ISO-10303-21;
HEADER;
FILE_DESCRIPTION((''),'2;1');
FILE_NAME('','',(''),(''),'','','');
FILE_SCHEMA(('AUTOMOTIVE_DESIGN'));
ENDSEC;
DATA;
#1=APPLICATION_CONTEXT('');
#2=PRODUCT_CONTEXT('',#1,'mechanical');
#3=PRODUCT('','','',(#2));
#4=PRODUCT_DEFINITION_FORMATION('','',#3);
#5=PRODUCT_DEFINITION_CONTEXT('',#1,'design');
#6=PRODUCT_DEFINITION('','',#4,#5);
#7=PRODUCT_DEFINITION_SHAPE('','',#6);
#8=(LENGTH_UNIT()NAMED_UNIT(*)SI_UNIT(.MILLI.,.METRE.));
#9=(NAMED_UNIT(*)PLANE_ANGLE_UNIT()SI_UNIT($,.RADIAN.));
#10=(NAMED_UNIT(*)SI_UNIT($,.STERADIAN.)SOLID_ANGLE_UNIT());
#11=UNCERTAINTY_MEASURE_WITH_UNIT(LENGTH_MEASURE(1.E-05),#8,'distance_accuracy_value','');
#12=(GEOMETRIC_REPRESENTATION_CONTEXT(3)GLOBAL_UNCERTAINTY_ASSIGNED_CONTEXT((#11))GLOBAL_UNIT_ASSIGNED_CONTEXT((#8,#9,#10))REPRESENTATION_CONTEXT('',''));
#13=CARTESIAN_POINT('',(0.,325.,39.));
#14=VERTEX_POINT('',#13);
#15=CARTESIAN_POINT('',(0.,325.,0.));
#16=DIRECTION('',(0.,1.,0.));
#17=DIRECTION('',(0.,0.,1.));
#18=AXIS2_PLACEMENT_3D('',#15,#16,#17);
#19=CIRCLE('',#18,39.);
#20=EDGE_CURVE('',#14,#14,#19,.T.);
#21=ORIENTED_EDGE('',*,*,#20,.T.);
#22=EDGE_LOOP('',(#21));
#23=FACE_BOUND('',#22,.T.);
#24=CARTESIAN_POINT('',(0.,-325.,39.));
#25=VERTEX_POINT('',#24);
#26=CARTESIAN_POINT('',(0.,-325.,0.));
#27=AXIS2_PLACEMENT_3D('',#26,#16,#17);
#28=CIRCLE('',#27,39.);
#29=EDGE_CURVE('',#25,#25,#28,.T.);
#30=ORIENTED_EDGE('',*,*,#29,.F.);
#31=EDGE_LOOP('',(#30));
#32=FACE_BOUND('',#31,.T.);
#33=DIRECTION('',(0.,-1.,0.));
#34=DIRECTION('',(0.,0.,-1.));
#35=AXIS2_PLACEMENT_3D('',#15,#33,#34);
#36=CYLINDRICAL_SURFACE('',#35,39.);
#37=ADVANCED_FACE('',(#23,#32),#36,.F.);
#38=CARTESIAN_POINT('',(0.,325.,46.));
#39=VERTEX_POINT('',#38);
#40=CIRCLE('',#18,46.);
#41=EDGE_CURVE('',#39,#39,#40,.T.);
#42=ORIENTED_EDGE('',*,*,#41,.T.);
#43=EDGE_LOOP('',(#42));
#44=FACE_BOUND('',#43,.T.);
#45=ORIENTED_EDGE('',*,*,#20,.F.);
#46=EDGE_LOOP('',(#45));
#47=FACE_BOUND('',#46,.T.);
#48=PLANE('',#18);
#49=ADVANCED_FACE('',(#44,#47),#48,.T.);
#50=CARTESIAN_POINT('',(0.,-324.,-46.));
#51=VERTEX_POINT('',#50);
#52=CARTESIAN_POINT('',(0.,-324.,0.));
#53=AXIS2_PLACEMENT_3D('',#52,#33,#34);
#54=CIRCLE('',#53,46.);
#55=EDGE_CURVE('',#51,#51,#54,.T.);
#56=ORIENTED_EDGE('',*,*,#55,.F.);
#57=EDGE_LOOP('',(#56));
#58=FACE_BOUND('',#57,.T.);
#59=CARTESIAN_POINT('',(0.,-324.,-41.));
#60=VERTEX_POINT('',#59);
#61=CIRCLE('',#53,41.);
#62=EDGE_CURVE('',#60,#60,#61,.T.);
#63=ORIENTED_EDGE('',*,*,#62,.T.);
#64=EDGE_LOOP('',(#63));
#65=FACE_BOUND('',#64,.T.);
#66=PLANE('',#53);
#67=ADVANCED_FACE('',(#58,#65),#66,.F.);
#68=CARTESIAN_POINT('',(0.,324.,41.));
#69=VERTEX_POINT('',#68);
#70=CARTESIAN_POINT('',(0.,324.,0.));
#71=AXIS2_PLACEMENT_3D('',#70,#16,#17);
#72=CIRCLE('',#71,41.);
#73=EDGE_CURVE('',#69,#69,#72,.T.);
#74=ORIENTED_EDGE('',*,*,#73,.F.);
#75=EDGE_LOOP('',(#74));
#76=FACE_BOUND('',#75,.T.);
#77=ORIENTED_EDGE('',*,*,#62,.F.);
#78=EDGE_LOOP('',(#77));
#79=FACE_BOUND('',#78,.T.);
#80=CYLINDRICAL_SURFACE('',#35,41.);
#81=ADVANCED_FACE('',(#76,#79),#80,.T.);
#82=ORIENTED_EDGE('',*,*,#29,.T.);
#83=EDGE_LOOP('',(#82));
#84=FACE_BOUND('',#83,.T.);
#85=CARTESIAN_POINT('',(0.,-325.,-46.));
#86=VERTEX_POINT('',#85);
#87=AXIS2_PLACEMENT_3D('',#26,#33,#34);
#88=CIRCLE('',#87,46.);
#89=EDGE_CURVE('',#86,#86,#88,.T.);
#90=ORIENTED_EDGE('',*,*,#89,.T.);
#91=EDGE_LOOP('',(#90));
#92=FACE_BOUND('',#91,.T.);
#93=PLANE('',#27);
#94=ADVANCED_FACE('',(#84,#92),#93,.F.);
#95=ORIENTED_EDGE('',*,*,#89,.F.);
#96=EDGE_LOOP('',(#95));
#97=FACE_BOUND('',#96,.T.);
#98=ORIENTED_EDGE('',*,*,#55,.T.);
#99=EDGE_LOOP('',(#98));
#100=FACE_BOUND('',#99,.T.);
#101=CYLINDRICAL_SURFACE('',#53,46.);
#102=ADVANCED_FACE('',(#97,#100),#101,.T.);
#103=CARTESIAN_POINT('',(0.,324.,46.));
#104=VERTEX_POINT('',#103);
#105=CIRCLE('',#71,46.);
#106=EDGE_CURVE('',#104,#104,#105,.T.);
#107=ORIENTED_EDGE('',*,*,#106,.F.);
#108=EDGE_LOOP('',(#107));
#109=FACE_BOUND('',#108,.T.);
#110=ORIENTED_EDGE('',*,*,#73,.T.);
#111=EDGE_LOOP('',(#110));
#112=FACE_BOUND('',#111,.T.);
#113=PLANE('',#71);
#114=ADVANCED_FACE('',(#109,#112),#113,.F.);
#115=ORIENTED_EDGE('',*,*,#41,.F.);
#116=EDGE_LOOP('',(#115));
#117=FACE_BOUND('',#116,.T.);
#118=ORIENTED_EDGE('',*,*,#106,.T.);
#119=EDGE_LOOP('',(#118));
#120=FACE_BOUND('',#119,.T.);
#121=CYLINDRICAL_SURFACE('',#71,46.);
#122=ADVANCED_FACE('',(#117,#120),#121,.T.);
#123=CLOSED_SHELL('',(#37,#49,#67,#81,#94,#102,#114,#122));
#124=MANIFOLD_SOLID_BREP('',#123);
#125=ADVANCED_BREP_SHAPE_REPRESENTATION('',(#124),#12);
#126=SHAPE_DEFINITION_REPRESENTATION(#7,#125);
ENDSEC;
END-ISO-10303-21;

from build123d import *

# Parameters (mm, degrees)
SCHIZZO1_R                   = 41
SCHIZZO1_R_2                 = 39
ESTRUSIONE_SOTTILE1_DEPTH    = 325
SCHIZZO2_R                   = 46
SCHIZZO2_R_2                 = 41
ESTRUSIONE_ESTRUSIONE1_DEPTH = 1
ESTRUSIONE_ESTRUSIONE2_START = -1
SCHIZZO3_R                   = 46
SCHIZZO3_R_2                 = 41
ESTRUSIONE_ESTRUSIONE2_DEPTH = 1


with BuildPart() as part:
    # Schizzo1 → Estrusione-Sottile1 (new, symmetric)
    with BuildSketch(Plane(origin=(0, 0, 0), x_dir=(1, 0, 0), z_dir=(0, 1, 0))):
        Circle(SCHIZZO1_R)
        Circle(SCHIZZO1_R_2, mode=Mode.SUBTRACT)
    extrude(amount=ESTRUSIONE_SOTTILE1_DEPTH, both=True)

    # Schizzo2 → Estrusione-Estrusione1 (add)
    with BuildSketch(Plane(origin=(0, 325, 0), x_dir=(1, 0, 0), z_dir=(0, 1, 0))):
        with Locations(Location((0, 0, 0), (0, 0, 270))):
            Circle(SCHIZZO2_R)
        Circle(SCHIZZO2_R_2, mode=Mode.SUBTRACT)
    extrude(amount=-ESTRUSIONE_ESTRUSIONE1_DEPTH)

    # Schizzo3 → Estrusione-Estrusione2 (add)
    with BuildSketch(Plane.XZ.offset(325).offset(ESTRUSIONE_ESTRUSIONE2_START)):
        with Locations(Location((0, 0, 0), (0, 0, 90))):
            Circle(SCHIZZO3_R)
        with Locations(Location((0, 0, 0), (0, 0, 270))):
            Circle(SCHIZZO3_R_2, mode=Mode.SUBTRACT)
    extrude(amount=ESTRUSIONE_ESTRUSIONE2_DEPTH)


solid = part.part
